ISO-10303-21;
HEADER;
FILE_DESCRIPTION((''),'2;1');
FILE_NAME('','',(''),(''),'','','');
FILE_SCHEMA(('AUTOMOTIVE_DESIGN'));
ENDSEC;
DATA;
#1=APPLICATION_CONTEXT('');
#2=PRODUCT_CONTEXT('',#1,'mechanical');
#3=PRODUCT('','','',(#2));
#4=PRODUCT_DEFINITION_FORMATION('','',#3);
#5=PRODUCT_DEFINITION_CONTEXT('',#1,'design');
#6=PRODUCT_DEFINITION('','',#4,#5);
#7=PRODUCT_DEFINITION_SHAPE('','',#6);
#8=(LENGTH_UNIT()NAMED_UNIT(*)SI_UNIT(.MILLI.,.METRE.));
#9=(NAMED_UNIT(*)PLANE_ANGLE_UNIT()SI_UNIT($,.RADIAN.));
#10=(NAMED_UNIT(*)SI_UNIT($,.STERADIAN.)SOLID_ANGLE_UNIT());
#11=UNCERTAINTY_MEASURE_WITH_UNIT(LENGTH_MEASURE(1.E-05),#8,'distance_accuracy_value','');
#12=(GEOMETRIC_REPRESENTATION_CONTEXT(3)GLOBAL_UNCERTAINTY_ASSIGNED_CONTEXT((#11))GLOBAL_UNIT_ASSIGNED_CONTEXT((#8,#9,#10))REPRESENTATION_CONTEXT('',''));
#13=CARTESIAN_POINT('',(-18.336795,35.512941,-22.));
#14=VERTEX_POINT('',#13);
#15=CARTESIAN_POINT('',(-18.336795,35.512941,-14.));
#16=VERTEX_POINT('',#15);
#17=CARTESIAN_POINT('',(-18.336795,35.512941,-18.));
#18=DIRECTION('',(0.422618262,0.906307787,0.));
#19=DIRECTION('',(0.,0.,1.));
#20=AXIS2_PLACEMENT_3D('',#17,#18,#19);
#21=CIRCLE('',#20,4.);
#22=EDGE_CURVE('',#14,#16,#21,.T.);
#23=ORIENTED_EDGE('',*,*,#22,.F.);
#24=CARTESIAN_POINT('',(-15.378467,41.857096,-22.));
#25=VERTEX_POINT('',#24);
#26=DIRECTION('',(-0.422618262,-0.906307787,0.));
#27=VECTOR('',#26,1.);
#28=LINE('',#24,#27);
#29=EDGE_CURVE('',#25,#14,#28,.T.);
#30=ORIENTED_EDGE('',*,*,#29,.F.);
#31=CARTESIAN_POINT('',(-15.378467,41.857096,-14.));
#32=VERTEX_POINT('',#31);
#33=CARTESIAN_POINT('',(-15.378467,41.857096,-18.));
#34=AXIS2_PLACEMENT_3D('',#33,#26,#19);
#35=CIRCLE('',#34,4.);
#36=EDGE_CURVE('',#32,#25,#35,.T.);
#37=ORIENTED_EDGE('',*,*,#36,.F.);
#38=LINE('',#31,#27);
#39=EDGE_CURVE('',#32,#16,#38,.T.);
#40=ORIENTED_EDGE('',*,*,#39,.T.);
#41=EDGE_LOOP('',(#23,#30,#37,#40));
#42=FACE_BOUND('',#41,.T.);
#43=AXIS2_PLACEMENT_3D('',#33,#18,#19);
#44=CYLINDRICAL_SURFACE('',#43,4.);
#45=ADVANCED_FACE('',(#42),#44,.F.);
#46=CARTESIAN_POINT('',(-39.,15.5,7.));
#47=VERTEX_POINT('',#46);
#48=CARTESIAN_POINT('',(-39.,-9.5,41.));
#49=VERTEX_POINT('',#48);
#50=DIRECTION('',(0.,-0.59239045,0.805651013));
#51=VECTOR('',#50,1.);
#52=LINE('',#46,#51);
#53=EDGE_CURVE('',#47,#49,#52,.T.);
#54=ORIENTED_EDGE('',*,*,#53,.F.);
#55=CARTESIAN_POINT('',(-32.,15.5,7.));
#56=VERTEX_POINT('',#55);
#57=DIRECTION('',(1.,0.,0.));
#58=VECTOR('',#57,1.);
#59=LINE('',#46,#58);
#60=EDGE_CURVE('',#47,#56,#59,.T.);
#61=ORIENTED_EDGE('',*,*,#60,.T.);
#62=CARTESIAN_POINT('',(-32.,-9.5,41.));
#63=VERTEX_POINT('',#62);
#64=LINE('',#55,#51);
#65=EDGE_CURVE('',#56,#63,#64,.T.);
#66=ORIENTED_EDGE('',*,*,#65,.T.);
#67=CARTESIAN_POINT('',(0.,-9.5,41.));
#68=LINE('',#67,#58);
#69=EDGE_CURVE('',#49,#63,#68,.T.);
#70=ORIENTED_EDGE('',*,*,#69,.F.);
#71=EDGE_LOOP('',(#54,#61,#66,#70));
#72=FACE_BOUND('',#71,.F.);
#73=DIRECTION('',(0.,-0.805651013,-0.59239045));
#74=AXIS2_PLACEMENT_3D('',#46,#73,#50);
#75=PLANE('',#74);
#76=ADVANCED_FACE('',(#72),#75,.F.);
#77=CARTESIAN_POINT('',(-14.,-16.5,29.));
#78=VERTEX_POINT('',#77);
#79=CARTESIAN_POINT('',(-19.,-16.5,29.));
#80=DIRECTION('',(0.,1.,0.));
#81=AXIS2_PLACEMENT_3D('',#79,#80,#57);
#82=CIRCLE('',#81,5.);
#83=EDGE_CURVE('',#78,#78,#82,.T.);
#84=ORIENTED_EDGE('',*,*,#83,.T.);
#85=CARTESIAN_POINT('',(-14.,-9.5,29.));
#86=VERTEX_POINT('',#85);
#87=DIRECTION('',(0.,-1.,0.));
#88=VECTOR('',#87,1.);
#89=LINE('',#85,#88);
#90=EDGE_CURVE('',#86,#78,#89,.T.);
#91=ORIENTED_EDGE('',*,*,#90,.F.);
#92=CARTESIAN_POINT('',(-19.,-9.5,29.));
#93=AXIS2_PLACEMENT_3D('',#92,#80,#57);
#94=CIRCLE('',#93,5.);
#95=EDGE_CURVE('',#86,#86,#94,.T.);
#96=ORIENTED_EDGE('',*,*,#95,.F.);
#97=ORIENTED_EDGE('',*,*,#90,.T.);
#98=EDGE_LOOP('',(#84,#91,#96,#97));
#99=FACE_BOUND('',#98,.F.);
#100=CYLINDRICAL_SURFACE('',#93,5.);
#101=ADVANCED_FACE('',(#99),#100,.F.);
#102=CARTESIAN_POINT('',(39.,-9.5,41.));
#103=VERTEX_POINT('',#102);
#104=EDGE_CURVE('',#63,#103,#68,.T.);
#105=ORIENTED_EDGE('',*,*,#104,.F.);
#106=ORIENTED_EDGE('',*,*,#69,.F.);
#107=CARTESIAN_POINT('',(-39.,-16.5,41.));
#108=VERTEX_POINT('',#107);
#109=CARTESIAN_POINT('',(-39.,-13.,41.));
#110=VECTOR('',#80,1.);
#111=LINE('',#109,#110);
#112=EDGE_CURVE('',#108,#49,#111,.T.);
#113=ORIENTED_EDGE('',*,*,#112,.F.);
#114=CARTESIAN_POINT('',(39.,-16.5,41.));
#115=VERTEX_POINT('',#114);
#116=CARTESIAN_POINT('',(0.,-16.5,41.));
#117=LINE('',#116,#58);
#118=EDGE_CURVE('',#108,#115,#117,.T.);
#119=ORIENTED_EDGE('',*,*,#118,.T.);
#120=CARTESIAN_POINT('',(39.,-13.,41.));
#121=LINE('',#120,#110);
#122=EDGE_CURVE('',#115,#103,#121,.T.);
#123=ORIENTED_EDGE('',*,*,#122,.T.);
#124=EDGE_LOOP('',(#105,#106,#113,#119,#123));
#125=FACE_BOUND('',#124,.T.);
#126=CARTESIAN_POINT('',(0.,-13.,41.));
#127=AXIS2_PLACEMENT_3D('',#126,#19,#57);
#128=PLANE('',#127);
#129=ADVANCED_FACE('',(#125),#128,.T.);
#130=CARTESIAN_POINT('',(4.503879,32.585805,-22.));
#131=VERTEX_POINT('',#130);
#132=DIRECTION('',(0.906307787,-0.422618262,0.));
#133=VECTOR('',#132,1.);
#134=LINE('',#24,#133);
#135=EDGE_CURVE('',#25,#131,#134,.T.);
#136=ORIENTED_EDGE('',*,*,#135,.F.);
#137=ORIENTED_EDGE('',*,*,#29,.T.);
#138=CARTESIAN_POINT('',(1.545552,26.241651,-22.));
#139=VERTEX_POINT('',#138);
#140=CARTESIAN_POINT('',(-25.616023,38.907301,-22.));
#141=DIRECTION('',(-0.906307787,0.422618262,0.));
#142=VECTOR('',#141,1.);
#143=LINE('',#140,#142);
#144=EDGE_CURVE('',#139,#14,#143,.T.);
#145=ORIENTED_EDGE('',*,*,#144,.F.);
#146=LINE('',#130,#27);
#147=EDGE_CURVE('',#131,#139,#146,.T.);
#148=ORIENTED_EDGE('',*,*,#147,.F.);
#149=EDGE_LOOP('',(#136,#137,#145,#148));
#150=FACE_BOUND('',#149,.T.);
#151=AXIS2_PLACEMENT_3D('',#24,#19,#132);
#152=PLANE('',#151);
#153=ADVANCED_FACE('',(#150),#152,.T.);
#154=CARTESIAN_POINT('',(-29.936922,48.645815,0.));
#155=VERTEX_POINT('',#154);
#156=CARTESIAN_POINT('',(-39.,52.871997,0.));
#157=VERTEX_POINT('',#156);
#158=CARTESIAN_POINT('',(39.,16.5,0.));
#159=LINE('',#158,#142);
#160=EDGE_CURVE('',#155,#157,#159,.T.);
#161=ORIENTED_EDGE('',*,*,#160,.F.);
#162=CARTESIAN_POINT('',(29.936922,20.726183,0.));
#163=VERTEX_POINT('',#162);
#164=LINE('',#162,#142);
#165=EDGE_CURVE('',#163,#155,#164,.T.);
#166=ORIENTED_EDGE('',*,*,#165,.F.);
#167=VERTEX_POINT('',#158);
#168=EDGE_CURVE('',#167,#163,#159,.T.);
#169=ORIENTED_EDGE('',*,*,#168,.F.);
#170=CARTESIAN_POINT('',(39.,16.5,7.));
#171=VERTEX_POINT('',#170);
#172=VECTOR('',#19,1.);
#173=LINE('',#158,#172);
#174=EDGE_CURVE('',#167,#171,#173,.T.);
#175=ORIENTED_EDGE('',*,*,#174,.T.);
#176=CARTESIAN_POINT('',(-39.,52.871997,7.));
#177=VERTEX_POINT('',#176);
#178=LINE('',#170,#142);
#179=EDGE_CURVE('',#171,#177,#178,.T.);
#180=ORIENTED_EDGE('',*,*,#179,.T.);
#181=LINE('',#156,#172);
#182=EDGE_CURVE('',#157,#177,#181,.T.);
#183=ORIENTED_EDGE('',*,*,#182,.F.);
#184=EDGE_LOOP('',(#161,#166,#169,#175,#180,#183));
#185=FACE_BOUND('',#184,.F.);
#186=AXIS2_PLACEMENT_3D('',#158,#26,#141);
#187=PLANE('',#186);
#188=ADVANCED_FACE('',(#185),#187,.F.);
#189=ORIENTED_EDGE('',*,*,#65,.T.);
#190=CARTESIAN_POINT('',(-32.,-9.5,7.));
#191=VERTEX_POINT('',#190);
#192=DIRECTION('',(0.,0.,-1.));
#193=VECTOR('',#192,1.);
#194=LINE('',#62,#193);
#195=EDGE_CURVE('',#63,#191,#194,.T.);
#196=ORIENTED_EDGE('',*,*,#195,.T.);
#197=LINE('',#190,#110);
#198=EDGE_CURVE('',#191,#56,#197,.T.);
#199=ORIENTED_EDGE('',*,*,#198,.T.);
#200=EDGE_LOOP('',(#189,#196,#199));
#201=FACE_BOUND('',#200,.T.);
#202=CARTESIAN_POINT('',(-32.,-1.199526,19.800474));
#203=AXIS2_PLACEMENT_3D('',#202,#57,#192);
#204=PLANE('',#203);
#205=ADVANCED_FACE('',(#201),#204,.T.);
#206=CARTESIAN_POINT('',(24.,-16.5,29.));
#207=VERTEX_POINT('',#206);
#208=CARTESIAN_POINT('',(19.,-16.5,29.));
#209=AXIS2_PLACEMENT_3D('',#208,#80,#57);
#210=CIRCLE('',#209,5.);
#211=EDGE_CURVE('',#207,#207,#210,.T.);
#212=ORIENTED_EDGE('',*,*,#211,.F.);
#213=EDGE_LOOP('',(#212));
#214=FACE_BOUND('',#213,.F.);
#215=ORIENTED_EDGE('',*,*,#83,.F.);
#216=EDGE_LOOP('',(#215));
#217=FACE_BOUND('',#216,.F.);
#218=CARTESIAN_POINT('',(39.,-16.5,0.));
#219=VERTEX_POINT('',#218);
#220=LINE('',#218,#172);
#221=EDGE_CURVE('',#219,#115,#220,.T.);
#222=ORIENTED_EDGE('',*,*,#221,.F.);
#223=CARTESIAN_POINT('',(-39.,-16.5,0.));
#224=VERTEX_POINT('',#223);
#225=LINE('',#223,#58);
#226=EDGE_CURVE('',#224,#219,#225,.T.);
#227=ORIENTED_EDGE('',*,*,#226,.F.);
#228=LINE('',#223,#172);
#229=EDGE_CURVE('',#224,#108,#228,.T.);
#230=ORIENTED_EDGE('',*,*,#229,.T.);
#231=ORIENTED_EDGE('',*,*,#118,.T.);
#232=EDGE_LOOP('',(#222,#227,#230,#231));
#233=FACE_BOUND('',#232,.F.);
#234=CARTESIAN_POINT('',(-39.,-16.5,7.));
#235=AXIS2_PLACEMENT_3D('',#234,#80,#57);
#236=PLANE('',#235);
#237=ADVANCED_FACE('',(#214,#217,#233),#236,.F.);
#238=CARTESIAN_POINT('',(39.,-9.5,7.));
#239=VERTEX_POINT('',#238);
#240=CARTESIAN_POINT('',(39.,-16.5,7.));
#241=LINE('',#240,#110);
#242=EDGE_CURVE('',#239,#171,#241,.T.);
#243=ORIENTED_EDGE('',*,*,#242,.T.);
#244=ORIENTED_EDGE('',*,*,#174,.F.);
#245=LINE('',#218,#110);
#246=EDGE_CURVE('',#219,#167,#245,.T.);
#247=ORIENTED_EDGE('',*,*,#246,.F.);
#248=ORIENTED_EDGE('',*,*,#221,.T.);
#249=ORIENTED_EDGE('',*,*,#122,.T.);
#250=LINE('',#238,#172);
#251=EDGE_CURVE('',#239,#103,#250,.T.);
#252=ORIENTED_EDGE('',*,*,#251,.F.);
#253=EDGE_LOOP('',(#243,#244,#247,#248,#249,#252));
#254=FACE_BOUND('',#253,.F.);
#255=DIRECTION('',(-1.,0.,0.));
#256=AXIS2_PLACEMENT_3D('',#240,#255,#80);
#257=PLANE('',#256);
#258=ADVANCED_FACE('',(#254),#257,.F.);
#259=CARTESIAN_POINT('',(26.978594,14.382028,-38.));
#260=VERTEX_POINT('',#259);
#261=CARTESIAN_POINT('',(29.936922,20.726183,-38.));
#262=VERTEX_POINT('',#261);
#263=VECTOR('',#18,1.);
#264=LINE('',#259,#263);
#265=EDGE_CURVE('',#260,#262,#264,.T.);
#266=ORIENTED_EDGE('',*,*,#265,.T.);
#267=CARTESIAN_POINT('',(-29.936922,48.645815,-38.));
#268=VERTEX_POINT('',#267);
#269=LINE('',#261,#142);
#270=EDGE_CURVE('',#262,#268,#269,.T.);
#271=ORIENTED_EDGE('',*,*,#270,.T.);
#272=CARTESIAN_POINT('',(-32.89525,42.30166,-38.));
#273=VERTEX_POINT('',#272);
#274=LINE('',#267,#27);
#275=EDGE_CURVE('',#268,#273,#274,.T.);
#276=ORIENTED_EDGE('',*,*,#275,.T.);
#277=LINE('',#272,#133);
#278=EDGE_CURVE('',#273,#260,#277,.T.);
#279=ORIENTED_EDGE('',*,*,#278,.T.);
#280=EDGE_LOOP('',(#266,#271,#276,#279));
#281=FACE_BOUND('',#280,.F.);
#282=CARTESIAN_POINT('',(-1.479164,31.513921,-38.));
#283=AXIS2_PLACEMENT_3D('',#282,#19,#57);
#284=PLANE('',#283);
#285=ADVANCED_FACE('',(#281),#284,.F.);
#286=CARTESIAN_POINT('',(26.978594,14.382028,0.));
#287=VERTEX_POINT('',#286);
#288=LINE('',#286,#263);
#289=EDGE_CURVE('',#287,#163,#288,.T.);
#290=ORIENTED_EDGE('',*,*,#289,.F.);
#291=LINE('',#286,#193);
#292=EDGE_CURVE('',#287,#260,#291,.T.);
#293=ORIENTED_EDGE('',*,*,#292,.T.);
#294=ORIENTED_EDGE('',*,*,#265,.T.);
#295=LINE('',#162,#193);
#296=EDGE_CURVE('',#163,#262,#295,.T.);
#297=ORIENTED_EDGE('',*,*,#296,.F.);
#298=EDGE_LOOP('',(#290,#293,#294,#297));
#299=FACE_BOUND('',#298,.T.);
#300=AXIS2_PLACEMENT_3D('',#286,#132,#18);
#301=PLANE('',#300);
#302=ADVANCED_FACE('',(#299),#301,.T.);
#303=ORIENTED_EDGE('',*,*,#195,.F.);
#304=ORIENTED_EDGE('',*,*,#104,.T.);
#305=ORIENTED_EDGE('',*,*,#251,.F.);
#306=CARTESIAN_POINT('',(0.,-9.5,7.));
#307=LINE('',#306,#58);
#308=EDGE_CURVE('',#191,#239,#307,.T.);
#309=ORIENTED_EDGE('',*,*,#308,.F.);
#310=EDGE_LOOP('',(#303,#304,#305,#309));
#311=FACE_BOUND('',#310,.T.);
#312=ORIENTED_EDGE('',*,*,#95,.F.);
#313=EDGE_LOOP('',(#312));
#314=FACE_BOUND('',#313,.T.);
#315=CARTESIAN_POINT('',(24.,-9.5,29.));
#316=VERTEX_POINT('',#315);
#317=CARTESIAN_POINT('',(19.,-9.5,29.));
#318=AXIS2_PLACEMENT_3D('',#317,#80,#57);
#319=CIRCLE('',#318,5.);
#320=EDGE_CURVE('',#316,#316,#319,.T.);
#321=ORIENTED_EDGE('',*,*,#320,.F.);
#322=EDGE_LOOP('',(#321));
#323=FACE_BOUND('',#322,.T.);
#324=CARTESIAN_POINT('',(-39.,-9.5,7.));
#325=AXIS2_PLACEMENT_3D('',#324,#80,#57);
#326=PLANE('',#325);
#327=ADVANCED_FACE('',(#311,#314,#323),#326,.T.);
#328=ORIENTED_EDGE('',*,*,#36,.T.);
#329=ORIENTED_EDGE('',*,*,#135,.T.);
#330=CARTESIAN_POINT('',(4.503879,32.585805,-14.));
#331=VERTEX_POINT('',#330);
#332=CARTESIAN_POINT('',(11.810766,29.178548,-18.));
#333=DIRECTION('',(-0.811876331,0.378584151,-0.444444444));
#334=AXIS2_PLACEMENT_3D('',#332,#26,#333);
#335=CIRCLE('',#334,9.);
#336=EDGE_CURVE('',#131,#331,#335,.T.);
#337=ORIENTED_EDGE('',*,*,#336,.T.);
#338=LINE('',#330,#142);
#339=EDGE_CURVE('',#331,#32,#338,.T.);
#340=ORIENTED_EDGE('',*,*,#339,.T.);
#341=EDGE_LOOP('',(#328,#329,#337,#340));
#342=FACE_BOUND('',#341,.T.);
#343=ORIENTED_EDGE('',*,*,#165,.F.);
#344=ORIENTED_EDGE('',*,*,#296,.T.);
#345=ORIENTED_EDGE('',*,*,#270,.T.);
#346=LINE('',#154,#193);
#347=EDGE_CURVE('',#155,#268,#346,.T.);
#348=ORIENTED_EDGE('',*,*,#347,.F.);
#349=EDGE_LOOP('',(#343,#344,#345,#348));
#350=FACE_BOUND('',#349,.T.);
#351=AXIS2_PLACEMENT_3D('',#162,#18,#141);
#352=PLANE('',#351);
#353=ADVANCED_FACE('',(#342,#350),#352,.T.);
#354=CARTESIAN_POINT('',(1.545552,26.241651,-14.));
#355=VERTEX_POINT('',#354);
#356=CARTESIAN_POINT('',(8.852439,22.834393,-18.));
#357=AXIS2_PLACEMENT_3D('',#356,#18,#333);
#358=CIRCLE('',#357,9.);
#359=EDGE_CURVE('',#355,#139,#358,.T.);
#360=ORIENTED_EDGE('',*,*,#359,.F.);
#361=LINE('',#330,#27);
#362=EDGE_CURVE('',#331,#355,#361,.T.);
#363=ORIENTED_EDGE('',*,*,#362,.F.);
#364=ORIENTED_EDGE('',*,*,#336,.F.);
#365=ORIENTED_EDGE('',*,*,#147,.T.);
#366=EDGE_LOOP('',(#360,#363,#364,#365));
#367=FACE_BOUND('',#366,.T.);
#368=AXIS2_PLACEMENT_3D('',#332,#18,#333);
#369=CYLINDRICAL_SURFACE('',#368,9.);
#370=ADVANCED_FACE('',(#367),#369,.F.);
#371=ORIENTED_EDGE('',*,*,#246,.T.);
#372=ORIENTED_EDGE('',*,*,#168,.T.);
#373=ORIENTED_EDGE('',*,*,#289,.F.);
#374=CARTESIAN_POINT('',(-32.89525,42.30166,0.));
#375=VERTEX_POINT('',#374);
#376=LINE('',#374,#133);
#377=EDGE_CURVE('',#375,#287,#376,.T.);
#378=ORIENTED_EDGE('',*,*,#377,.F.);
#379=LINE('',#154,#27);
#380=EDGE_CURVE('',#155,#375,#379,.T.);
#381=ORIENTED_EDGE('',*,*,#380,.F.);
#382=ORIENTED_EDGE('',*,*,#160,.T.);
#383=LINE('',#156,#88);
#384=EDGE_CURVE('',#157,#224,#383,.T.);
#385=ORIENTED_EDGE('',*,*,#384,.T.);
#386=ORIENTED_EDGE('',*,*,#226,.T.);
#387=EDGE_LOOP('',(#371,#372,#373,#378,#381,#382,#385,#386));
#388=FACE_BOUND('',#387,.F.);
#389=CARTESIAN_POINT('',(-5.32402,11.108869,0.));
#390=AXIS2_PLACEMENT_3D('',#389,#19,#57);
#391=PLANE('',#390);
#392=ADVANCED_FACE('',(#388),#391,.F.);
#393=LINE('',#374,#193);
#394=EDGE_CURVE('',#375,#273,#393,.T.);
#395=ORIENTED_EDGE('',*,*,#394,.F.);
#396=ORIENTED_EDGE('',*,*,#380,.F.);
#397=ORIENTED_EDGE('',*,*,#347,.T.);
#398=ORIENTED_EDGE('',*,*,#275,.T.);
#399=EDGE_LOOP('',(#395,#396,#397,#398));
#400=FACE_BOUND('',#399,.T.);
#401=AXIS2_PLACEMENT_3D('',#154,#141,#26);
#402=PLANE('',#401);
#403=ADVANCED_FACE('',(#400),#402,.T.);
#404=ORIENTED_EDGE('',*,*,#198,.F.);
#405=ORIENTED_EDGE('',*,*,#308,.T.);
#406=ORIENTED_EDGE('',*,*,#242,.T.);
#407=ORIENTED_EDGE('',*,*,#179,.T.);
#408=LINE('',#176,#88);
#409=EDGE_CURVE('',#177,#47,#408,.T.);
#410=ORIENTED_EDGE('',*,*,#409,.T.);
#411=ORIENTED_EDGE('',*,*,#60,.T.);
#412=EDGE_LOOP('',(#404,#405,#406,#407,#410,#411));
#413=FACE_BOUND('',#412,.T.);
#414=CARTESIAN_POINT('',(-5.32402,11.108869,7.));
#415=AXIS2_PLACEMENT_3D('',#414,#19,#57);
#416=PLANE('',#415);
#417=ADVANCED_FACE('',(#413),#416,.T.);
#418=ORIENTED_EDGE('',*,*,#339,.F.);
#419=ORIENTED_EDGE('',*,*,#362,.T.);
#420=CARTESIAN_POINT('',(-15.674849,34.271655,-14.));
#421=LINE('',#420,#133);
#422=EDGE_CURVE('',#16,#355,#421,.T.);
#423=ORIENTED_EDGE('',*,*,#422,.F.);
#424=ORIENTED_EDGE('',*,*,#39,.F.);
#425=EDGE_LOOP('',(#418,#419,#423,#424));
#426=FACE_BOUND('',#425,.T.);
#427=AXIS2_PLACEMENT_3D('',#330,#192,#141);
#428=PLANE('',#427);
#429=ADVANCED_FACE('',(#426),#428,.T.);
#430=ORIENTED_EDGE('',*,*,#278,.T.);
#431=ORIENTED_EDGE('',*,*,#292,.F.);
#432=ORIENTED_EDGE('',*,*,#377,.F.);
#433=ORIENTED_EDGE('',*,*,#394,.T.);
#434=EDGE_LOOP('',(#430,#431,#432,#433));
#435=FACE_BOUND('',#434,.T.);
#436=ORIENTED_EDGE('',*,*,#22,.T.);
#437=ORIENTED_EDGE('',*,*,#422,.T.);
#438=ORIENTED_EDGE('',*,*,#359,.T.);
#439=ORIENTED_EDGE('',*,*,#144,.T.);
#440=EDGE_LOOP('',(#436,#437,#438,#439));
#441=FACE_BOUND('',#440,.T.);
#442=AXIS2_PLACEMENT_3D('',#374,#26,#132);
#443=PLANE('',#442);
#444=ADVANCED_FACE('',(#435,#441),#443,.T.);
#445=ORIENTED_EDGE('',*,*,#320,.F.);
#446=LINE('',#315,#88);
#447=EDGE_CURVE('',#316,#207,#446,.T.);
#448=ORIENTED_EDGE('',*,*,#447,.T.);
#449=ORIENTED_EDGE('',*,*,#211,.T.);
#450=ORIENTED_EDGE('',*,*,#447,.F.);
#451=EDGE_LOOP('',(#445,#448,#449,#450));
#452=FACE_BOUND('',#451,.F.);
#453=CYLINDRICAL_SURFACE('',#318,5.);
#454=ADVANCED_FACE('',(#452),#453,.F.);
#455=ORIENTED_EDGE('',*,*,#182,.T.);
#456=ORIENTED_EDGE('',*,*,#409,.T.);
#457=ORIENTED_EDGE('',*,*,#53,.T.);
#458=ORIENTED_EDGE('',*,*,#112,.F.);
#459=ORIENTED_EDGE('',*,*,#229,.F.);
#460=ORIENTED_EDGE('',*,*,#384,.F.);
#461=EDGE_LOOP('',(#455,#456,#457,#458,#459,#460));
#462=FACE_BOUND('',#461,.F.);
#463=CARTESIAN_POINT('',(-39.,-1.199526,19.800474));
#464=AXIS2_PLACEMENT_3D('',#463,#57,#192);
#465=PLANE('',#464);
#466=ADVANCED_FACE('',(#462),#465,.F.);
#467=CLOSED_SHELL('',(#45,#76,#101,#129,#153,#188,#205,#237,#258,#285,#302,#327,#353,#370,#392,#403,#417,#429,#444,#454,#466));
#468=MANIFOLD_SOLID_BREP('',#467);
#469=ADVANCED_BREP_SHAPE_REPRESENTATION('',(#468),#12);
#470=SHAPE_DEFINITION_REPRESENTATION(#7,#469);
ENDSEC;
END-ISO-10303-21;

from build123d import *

# Parameters (mm, degrees)
BOSS_EXTRUDE1_DEPTH = 7
BOSS_EXTRUDE2_DEPTH = 38
CUT_EXTRUDE1_DEPTH  = 48
SKETCH4_W           = 78
SKETCH4_H           = 7
BOSS_EXTRUDE3_DEPTH = 34
BOSS_EXTRUDE4_DEPTH = 7
SKETCH6_R           = 5
CUT_EXTRUDE2_DEPTH  = 21


with BuildPart() as part:
    # Sketch1 → Boss-Extrude1 (new body)
    with BuildSketch(Plane.XY):
        Polygon((39, 16.5), (-39, 52.871997336), (-39, 16.5), (-39, -16.5), (39, -16.5), align=None)
    extrude(amount=BOSS_EXTRUDE1_DEPTH)

    # Sketch2 → Boss-Extrude2 (add)
    with BuildSketch(Plane(origin=(0, 0, 0), x_dir=(-1, 0, 0), z_dir=(0, 0, -1))):
        Polygon((-29.93692213, 20.726182617), (29.93692213, 48.645814719), (32.895249962, 42.301660209), (-26.978594297, 14.382028108), align=None)
    extrude(amount=BOSS_EXTRUDE2_DEPTH)

    # Sketch3 → Cut-Extrude1 (cut)
    with BuildSketch(Plane(origin=(13.285508267, 28.490864421, 0), x_dir=(0.906307787, -0.422618262, 0), z_dir=(0.422618262, 0.906307787, 0))):
        with BuildLine():
            Line((-31.627197624, 22), (-9.689455373, 22))
            ThreePointArc((-9.689455373, 22), (7.372802376, 18), (-9.689455373, 14))
            Line((-9.689455373, 14), (-31.627197624, 14))
            ThreePointArc((-31.627197624, 14), (-35.627197624, 18), (-31.627197624, 22))
        make_face()
    extrude(amount=-CUT_EXTRUDE1_DEPTH, mode=Mode.SUBTRACT)

    # Sketch4 → Boss-Extrude3 (add)
    with BuildSketch(Plane.XY.offset(7)):
        with Locations((0, -13)):
            Rectangle(SKETCH4_W, SKETCH4_H)
    extrude(amount=BOSS_EXTRUDE3_DEPTH)

    # Sketch5 → Boss-Extrude4 (add)
    with BuildSketch(Plane.ZY.offset(39)):
        Polygon((7, -9.5), (7, 15.5), (41, -9.5), align=None)
    extrude(amount=-BOSS_EXTRUDE4_DEPTH)

    # Sketch6 → Cut-Extrude2 (cut)
    with BuildSketch(Plane(origin=(0, -9.5, 0), x_dir=(1, 0, 0), z_dir=(0, 1, 0))):
        with Locations((-19, -29)):
            Circle(SKETCH6_R)
        with Locations((19, -29)):
            Circle(SKETCH6_R)
    extrude(amount=-CUT_EXTRUDE2_DEPTH, mode=Mode.SUBTRACT)


solid = part.part
